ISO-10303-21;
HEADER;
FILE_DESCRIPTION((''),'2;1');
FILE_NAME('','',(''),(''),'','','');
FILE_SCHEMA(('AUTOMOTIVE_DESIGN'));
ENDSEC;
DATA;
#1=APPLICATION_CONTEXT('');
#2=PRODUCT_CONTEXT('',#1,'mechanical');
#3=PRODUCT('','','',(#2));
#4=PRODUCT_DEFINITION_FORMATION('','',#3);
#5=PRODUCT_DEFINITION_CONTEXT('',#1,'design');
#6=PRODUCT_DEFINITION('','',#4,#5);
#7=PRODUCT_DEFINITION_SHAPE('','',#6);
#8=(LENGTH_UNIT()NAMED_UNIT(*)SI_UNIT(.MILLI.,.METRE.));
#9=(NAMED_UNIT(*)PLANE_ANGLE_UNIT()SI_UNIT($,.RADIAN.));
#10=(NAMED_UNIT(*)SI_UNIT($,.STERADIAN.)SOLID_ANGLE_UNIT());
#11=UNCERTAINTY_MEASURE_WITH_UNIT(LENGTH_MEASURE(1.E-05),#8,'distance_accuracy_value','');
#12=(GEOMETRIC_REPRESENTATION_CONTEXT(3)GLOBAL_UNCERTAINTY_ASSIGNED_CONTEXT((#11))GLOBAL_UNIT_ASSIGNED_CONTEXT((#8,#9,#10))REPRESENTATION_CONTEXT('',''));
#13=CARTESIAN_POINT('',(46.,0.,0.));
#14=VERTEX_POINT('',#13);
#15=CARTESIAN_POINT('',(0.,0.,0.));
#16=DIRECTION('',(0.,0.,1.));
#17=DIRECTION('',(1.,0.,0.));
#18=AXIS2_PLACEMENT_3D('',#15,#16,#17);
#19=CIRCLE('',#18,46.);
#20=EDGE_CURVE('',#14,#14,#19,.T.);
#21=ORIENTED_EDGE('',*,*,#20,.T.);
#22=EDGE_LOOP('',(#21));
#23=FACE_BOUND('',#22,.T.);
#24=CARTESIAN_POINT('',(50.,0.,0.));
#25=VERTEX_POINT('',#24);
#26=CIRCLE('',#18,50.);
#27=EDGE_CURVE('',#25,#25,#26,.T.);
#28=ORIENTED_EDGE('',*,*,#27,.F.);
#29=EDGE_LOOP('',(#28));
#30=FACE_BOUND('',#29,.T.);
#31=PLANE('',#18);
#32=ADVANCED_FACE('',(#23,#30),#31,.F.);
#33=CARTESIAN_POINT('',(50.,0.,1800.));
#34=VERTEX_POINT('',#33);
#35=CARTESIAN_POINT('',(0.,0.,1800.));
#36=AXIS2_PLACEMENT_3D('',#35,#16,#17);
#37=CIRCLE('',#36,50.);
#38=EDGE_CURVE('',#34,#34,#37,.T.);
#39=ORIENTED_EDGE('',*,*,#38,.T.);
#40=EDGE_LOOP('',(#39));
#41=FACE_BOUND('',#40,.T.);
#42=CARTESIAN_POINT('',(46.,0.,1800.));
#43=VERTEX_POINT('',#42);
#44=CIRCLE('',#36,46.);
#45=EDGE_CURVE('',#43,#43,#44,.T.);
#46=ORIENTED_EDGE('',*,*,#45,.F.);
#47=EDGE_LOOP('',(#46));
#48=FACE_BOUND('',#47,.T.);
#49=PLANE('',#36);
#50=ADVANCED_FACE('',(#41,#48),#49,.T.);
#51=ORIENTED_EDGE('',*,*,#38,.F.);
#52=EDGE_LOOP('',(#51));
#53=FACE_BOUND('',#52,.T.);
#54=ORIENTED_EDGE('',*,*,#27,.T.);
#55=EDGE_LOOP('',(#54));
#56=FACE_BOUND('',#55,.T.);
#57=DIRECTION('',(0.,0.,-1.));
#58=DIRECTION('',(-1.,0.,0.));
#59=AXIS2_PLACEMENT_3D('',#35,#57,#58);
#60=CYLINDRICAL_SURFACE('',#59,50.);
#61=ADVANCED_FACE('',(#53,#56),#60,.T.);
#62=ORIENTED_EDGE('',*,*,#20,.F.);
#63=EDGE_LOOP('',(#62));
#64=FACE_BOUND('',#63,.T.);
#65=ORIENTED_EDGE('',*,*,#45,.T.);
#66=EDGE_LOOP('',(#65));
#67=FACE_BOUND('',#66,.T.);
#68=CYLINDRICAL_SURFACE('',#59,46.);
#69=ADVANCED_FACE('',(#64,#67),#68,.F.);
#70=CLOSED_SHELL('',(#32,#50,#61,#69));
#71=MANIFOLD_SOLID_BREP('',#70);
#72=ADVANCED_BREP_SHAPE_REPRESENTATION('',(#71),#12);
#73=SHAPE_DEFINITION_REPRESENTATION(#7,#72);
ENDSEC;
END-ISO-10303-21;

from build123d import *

# Parameters (mm, degrees)
SKETCH_1_R      = 50
SKETCH_1_R_2    = 46
EXTRUDE_1_DEPTH = 1800


with BuildPart() as part:
    # Эскиз1 → Бобышка-Вытянуть1 (new body)
    with BuildSketch(Plane.XY):
        Circle(SKETCH_1_R)
        Circle(SKETCH_1_R_2, mode=Mode.SUBTRACT)
    extrude(amount=EXTRUDE_1_DEPTH)


solid = part.part
